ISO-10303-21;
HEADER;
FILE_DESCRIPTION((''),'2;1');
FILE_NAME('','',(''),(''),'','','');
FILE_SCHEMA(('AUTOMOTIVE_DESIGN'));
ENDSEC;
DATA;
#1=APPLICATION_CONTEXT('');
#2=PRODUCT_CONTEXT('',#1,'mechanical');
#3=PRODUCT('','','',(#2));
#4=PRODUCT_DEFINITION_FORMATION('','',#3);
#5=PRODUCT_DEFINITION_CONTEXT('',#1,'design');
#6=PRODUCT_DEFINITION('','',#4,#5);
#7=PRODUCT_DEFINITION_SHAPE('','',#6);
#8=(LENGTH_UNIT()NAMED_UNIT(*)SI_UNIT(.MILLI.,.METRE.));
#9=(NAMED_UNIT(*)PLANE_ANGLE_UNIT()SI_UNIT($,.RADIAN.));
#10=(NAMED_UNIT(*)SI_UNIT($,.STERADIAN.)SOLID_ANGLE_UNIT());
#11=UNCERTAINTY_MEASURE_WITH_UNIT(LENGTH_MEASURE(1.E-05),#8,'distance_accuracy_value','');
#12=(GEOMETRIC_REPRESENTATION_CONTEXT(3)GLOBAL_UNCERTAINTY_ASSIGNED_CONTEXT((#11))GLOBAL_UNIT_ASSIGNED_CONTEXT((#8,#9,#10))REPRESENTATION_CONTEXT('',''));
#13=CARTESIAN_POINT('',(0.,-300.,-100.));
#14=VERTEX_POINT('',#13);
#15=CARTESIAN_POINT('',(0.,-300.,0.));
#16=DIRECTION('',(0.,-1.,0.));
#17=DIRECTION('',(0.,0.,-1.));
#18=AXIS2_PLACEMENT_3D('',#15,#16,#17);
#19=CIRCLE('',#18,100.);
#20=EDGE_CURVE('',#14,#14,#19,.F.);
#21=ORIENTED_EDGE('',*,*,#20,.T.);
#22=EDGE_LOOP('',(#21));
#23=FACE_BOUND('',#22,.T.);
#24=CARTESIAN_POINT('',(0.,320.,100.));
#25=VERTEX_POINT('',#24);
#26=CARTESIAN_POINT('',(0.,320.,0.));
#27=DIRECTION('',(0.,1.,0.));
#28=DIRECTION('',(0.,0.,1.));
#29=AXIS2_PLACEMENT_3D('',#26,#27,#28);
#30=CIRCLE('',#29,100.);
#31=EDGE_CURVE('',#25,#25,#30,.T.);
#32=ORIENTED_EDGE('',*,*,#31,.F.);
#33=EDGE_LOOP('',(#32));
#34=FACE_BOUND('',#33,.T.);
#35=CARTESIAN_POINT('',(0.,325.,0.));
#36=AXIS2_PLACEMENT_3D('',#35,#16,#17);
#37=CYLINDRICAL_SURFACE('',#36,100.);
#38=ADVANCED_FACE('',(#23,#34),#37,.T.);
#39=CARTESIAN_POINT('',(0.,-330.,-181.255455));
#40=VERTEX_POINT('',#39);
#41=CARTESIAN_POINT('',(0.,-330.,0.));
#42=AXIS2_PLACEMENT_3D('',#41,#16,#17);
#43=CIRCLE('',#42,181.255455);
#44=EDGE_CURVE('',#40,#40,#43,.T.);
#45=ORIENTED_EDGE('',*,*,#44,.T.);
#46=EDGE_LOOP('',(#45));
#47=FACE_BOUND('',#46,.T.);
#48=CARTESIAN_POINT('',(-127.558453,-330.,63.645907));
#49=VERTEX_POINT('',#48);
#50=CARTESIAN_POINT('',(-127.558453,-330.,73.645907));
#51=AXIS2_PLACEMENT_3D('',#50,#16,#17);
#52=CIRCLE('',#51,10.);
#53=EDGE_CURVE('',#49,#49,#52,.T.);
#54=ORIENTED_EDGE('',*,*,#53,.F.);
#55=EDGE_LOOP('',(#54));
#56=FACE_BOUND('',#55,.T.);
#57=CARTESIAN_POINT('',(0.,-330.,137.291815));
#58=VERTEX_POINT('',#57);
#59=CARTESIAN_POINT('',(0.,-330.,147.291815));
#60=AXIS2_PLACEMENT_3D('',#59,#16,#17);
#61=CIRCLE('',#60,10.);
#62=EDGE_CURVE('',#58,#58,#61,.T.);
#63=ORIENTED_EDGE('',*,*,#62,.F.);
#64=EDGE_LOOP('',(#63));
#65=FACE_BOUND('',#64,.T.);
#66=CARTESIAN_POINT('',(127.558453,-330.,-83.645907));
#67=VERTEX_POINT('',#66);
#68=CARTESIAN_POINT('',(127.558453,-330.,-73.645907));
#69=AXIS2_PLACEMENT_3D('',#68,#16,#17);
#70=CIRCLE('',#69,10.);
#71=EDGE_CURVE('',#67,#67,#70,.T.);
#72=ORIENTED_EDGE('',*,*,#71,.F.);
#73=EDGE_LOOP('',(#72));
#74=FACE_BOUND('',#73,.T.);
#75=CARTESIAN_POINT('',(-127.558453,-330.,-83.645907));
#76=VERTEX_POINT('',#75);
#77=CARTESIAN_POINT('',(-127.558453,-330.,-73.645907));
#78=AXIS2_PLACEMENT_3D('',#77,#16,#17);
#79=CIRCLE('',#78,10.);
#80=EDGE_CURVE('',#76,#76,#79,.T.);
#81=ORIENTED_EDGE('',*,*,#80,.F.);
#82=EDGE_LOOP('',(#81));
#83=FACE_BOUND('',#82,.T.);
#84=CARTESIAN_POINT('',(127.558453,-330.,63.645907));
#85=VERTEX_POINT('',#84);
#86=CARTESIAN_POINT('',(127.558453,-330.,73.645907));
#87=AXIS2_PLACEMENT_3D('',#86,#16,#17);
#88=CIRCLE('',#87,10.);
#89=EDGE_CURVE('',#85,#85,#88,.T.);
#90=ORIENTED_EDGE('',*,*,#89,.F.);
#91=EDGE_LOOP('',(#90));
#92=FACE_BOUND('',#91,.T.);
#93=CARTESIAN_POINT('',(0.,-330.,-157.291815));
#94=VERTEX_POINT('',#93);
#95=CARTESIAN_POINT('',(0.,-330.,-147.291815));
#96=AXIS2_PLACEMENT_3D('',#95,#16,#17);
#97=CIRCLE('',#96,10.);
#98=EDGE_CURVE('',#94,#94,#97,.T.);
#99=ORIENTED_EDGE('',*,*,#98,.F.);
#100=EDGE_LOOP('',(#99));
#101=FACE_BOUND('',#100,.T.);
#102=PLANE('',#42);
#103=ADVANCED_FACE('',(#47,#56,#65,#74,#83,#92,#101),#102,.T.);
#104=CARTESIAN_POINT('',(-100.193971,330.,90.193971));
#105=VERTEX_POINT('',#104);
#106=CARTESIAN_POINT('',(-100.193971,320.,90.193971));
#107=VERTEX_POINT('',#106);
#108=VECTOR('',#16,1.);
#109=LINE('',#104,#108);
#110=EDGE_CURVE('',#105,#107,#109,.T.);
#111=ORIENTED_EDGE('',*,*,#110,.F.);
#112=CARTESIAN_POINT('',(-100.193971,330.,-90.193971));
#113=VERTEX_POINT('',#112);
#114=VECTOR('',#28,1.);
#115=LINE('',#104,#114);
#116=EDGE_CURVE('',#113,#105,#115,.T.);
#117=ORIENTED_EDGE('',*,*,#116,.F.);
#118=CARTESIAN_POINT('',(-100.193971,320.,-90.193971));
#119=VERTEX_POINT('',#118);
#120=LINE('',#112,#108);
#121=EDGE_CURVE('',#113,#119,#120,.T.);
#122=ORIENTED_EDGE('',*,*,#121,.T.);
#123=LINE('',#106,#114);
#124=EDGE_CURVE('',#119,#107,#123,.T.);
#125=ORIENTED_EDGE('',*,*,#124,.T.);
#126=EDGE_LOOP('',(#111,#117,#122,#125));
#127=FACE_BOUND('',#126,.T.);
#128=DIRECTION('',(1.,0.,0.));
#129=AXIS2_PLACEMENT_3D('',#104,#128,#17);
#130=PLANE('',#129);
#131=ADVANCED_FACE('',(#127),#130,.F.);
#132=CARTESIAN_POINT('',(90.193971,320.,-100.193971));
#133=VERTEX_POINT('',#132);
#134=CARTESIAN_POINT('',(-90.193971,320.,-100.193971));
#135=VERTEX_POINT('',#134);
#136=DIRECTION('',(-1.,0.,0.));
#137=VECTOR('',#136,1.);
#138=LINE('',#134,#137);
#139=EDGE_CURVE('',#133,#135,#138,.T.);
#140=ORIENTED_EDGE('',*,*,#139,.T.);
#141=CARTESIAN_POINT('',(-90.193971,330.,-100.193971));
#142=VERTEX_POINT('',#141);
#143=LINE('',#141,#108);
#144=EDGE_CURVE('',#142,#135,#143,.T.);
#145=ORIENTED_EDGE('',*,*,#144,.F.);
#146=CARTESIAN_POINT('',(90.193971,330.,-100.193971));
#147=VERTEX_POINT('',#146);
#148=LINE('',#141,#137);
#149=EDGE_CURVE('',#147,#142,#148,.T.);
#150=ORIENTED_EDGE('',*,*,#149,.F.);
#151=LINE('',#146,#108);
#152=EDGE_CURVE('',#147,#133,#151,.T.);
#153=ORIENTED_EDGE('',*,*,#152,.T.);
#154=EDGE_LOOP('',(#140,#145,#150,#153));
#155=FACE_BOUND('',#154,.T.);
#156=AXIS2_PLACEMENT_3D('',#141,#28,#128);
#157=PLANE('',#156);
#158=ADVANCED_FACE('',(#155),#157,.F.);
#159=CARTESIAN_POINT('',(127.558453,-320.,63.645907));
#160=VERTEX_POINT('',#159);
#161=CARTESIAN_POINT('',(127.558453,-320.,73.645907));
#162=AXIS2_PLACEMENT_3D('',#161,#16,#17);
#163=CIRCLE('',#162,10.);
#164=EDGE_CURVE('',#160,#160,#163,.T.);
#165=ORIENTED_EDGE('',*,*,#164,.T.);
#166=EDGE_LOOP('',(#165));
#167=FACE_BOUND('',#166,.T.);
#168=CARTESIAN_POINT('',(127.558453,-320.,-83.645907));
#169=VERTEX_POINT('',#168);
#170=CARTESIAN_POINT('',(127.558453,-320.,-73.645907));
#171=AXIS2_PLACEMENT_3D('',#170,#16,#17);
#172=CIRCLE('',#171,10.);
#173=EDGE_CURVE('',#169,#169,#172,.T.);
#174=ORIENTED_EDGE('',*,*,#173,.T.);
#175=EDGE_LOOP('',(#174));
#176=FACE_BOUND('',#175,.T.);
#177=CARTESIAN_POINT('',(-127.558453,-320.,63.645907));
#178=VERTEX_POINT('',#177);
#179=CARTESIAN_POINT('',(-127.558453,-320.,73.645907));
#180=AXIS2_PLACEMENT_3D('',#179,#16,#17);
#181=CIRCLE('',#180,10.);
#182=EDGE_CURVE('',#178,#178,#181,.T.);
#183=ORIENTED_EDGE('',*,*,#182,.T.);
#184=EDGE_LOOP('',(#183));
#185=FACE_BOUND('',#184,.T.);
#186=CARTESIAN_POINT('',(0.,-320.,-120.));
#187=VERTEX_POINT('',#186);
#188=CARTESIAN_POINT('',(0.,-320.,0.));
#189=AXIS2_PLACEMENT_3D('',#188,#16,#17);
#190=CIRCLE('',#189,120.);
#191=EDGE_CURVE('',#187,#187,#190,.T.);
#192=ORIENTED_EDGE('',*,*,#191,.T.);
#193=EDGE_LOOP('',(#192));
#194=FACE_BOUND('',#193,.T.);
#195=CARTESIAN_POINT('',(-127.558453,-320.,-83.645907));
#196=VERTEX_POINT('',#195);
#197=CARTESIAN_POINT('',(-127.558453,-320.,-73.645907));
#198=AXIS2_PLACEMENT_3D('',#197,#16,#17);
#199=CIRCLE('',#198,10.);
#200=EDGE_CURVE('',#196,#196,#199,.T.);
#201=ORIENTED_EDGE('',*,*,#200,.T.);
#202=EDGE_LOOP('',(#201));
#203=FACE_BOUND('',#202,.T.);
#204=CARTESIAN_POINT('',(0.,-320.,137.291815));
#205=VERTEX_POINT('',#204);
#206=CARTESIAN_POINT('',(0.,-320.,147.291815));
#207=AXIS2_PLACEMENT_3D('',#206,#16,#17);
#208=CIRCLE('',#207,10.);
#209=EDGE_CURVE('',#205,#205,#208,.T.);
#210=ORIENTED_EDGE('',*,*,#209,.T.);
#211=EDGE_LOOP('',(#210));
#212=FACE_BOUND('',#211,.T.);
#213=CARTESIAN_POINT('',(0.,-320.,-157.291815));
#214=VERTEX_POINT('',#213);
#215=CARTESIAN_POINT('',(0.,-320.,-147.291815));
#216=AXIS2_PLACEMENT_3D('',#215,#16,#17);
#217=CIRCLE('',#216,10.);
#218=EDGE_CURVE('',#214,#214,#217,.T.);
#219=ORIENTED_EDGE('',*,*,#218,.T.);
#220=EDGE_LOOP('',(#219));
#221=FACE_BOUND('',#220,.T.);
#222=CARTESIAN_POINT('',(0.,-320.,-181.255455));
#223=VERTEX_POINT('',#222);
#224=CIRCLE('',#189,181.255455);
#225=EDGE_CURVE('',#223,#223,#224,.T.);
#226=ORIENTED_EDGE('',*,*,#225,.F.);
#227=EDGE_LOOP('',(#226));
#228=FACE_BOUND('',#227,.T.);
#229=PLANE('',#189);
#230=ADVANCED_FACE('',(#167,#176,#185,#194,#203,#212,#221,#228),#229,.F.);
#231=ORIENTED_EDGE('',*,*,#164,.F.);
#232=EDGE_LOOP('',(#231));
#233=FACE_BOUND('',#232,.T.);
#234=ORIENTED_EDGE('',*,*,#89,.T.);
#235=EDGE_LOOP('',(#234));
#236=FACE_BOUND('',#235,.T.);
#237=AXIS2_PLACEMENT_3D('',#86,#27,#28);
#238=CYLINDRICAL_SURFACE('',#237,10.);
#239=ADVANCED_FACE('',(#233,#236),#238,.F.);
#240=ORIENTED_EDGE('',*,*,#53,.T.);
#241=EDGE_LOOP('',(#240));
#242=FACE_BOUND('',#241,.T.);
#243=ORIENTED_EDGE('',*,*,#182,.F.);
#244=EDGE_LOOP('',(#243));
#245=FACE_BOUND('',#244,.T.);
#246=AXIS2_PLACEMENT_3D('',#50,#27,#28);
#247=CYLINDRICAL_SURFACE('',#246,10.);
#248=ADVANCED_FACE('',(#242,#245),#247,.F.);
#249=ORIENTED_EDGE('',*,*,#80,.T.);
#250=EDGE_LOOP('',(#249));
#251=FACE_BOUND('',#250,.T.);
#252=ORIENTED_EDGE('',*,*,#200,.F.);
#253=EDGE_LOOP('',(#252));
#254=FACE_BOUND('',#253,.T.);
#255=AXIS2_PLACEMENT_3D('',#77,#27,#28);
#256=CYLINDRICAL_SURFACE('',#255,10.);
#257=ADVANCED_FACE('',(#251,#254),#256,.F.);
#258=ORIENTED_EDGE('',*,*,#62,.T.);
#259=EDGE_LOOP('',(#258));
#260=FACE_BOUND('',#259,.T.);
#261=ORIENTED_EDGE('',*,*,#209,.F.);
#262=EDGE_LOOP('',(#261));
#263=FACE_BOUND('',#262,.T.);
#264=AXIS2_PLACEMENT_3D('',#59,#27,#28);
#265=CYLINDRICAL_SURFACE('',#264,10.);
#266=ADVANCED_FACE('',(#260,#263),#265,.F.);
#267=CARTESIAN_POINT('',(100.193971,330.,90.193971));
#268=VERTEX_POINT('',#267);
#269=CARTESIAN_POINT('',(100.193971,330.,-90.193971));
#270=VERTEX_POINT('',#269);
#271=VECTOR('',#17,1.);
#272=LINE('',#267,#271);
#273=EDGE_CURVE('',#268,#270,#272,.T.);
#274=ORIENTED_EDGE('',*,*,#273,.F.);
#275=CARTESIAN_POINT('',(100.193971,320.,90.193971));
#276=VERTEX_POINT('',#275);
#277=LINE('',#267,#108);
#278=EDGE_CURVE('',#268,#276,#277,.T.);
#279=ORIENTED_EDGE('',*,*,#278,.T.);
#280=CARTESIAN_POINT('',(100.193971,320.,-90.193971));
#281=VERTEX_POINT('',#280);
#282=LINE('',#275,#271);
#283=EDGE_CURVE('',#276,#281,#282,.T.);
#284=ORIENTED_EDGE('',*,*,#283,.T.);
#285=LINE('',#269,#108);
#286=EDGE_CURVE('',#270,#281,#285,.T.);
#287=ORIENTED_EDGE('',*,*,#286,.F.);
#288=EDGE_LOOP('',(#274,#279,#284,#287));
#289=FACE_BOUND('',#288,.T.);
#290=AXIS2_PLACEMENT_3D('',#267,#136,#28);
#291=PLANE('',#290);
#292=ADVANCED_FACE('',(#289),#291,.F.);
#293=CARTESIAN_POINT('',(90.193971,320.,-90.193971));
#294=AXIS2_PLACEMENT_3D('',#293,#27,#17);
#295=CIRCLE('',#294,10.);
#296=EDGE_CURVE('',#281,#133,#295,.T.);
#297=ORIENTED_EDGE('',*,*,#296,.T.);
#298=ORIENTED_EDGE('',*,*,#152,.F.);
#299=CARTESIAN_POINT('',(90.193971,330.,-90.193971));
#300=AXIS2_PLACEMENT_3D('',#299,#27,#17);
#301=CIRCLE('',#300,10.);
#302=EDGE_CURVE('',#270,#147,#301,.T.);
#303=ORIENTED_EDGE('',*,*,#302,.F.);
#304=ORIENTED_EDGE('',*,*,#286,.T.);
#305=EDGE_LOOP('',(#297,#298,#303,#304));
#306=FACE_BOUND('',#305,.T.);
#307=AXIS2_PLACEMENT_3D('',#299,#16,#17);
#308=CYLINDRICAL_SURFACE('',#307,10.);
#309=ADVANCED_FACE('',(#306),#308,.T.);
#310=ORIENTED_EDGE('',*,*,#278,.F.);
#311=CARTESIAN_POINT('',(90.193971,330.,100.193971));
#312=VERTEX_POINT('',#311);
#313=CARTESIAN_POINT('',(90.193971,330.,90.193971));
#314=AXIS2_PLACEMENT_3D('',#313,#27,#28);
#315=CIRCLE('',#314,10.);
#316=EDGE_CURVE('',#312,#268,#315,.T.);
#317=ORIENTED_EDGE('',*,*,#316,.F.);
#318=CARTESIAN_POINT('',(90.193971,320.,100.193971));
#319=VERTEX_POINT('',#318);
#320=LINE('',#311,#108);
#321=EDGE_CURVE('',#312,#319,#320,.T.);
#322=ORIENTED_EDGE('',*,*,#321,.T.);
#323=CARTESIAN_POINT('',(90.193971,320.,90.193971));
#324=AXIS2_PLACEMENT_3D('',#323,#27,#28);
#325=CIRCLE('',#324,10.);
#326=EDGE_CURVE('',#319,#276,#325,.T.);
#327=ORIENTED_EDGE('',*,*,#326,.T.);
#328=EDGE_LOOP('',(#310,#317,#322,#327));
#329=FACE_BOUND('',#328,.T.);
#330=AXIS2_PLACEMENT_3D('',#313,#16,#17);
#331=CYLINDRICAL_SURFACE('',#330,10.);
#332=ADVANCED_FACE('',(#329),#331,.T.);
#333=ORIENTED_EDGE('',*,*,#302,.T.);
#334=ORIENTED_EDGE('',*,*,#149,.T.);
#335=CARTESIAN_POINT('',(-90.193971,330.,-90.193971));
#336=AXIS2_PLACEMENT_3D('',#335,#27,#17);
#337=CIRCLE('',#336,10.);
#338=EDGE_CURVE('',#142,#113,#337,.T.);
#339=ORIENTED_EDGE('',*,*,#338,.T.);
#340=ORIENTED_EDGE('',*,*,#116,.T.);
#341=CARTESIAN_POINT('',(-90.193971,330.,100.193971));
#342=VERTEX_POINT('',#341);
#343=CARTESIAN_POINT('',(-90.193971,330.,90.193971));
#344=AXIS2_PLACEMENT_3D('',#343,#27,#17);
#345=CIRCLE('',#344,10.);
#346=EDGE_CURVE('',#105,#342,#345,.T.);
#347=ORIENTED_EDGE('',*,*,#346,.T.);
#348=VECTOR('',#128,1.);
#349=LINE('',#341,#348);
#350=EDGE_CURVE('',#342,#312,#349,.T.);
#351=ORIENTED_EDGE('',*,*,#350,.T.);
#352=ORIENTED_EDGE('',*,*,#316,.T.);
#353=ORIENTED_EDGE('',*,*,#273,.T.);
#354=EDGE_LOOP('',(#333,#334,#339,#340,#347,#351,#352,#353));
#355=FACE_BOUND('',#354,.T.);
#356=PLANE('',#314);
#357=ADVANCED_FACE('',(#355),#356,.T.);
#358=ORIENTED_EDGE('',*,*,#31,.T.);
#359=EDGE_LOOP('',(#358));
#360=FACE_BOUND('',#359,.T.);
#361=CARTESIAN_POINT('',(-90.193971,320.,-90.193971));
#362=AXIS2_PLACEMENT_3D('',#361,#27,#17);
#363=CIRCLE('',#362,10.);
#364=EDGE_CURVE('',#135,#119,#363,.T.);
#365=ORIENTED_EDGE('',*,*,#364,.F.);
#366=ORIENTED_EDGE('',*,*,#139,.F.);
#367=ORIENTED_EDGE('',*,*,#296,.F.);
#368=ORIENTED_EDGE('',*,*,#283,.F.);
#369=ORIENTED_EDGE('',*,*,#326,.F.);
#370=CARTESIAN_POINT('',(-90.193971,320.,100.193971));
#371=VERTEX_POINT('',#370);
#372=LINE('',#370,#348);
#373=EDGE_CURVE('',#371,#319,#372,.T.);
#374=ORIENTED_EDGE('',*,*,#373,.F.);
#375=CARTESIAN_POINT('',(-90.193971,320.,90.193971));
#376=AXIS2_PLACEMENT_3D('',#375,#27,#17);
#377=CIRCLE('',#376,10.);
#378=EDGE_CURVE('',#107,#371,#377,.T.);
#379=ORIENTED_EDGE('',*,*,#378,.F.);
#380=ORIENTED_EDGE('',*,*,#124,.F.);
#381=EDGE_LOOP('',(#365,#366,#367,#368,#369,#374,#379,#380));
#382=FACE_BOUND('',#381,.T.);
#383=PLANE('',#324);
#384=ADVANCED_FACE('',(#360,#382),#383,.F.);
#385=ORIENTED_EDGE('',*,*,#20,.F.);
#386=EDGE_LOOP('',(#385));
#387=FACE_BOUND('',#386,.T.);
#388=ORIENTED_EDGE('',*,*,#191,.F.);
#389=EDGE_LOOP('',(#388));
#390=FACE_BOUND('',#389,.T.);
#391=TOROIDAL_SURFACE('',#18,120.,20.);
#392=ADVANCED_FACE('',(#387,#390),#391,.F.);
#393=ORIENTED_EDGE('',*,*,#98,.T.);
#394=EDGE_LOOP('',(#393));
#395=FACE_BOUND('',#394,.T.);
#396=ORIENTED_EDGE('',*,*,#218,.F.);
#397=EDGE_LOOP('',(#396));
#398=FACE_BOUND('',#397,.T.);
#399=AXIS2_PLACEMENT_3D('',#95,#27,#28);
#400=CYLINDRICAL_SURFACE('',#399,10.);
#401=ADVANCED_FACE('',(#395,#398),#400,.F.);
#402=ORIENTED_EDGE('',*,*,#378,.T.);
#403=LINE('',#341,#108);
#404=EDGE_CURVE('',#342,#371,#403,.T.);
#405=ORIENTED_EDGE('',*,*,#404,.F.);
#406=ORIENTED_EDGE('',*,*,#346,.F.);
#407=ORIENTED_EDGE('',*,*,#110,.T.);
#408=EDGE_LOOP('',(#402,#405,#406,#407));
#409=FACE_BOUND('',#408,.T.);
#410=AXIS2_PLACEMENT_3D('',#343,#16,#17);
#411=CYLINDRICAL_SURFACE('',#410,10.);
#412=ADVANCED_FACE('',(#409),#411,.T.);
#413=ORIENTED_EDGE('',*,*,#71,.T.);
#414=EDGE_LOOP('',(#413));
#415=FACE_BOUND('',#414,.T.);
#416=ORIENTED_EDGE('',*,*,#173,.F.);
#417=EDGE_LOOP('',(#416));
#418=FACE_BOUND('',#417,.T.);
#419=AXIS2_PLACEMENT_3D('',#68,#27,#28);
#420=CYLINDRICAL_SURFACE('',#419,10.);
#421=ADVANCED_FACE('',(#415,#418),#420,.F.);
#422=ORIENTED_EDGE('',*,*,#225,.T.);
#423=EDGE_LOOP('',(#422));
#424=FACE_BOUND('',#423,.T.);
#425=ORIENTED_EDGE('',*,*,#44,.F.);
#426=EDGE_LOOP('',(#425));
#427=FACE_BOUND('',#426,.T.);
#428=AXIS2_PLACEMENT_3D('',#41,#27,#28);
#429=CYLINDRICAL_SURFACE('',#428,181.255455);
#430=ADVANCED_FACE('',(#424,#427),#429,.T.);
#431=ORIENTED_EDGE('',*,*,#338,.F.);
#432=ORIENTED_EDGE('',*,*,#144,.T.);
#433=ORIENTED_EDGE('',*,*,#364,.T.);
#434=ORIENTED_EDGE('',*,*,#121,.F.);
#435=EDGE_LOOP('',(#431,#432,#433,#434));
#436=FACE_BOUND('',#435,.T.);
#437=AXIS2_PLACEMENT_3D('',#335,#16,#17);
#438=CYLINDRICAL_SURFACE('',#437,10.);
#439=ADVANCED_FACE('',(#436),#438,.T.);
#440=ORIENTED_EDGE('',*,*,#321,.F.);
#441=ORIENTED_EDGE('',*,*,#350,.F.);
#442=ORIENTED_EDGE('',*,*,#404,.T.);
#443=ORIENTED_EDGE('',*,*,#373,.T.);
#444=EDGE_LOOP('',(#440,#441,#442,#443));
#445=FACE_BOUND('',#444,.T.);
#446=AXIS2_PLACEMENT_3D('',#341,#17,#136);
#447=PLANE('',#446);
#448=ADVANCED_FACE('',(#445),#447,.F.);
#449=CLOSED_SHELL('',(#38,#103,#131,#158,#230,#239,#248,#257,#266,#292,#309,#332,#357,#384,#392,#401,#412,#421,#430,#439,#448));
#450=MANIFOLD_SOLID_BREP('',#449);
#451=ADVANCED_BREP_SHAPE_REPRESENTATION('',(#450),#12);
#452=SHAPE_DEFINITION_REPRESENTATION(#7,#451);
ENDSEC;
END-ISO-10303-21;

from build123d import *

# Parameters (mm, degrees)
SKETCH1_R           = 100
BOSS_EXTRUDE1_DEPTH = 325
SKETCH2_R           = 181.25545507
SKETCH2_R_2         = 10
BOSS_EXTRUDE2_DEPTH = 5
FILLET1_R           = 20
BOSS_EXTRUDE3_DEPTH = 5


with BuildPart() as part:
    # Sketch1 → Boss-Extrude1 (new, symmetric)
    with BuildSketch(Plane(origin=(0, 0, 0), x_dir=(1, 0, 0), z_dir=(0, 1, 0))):
        with Locations(Location((0, 0, 0), (0, 0, 270))):
            Circle(SKETCH1_R)
    extrude(amount=BOSS_EXTRUDE1_DEPTH, both=True)

    # Sketch2 → Boss-Extrude2 (add, symmetric)
    with BuildSketch(Plane.XZ.offset(325)):
        with Locations(Location((0, 0, 0), (0, 0, 270))):
            Circle(SKETCH2_R)
        with Locations(Location((0, 147.291814794, 0), (0, 0, 270))):
            Circle(SKETCH2_R_2, mode=Mode.SUBTRACT)
        with Locations(Location((127.558453381, 73.645907397, 0), (0, 0, 270))):
            Circle(SKETCH2_R_2, mode=Mode.SUBTRACT)
        with Locations(Location((127.558453381, -73.645907397, 0), (0, 0, 270))):
            Circle(SKETCH2_R_2, mode=Mode.SUBTRACT)
        with Locations(Location((0, -147.291814794, 0), (0, 0, 270))):
            Circle(SKETCH2_R_2, mode=Mode.SUBTRACT)
        with Locations(Location((-127.558453381, -73.645907397, 0), (0, 0, 270))):
            Circle(SKETCH2_R_2, mode=Mode.SUBTRACT)
        with Locations(Location((-127.558453381, 73.645907397, 0), (0, 0, 270))):
            Circle(SKETCH2_R_2, mode=Mode.SUBTRACT)
    extrude(amount=BOSS_EXTRUDE2_DEPTH, both=True)

    # Fillet1
    fillet1_edges = [part.edges().sort_by_distance(p)[0] for p in [
        (0, -320, -100),
    ]]
    fillet(fillet1_edges, radius=FILLET1_R)

    # Sketch3 → Boss-Extrude3 (add, symmetric)
    with BuildSketch(Plane(origin=(0, 325, 0), x_dir=(1, 0, 0), z_dir=(0, 1, 0))):
        with BuildLine():
            Line((-90.193970518, -100.193970518), (90.193970518, -100.193970518))
            ThreePointArc((90.193970518, -100.193970518), (97.265038329, -97.265038329), (100.193970518, -90.193970518))
            Line((100.193970518, -90.193970518), (100.193970518, 90.193970518))
            ThreePointArc((100.193970518, 90.193970518), (97.265038329, 97.265038329), (90.193970518, 100.193970518))
            Line((90.193970518, 100.193970518), (-90.193970518, 100.193970518))
            ThreePointArc((-90.193970518, 100.193970518), (-97.265038329, 97.265038329), (-100.193970518, 90.193970518))
            Line((-100.193970518, 90.193970518), (-100.193970518, -90.193970518))
            ThreePointArc((-100.193970518, -90.193970518), (-97.265038329, -97.265038329), (-90.193970518, -100.193970518))
        make_face()
    extrude(amount=BOSS_EXTRUDE3_DEPTH, both=True)


solid = part.part
